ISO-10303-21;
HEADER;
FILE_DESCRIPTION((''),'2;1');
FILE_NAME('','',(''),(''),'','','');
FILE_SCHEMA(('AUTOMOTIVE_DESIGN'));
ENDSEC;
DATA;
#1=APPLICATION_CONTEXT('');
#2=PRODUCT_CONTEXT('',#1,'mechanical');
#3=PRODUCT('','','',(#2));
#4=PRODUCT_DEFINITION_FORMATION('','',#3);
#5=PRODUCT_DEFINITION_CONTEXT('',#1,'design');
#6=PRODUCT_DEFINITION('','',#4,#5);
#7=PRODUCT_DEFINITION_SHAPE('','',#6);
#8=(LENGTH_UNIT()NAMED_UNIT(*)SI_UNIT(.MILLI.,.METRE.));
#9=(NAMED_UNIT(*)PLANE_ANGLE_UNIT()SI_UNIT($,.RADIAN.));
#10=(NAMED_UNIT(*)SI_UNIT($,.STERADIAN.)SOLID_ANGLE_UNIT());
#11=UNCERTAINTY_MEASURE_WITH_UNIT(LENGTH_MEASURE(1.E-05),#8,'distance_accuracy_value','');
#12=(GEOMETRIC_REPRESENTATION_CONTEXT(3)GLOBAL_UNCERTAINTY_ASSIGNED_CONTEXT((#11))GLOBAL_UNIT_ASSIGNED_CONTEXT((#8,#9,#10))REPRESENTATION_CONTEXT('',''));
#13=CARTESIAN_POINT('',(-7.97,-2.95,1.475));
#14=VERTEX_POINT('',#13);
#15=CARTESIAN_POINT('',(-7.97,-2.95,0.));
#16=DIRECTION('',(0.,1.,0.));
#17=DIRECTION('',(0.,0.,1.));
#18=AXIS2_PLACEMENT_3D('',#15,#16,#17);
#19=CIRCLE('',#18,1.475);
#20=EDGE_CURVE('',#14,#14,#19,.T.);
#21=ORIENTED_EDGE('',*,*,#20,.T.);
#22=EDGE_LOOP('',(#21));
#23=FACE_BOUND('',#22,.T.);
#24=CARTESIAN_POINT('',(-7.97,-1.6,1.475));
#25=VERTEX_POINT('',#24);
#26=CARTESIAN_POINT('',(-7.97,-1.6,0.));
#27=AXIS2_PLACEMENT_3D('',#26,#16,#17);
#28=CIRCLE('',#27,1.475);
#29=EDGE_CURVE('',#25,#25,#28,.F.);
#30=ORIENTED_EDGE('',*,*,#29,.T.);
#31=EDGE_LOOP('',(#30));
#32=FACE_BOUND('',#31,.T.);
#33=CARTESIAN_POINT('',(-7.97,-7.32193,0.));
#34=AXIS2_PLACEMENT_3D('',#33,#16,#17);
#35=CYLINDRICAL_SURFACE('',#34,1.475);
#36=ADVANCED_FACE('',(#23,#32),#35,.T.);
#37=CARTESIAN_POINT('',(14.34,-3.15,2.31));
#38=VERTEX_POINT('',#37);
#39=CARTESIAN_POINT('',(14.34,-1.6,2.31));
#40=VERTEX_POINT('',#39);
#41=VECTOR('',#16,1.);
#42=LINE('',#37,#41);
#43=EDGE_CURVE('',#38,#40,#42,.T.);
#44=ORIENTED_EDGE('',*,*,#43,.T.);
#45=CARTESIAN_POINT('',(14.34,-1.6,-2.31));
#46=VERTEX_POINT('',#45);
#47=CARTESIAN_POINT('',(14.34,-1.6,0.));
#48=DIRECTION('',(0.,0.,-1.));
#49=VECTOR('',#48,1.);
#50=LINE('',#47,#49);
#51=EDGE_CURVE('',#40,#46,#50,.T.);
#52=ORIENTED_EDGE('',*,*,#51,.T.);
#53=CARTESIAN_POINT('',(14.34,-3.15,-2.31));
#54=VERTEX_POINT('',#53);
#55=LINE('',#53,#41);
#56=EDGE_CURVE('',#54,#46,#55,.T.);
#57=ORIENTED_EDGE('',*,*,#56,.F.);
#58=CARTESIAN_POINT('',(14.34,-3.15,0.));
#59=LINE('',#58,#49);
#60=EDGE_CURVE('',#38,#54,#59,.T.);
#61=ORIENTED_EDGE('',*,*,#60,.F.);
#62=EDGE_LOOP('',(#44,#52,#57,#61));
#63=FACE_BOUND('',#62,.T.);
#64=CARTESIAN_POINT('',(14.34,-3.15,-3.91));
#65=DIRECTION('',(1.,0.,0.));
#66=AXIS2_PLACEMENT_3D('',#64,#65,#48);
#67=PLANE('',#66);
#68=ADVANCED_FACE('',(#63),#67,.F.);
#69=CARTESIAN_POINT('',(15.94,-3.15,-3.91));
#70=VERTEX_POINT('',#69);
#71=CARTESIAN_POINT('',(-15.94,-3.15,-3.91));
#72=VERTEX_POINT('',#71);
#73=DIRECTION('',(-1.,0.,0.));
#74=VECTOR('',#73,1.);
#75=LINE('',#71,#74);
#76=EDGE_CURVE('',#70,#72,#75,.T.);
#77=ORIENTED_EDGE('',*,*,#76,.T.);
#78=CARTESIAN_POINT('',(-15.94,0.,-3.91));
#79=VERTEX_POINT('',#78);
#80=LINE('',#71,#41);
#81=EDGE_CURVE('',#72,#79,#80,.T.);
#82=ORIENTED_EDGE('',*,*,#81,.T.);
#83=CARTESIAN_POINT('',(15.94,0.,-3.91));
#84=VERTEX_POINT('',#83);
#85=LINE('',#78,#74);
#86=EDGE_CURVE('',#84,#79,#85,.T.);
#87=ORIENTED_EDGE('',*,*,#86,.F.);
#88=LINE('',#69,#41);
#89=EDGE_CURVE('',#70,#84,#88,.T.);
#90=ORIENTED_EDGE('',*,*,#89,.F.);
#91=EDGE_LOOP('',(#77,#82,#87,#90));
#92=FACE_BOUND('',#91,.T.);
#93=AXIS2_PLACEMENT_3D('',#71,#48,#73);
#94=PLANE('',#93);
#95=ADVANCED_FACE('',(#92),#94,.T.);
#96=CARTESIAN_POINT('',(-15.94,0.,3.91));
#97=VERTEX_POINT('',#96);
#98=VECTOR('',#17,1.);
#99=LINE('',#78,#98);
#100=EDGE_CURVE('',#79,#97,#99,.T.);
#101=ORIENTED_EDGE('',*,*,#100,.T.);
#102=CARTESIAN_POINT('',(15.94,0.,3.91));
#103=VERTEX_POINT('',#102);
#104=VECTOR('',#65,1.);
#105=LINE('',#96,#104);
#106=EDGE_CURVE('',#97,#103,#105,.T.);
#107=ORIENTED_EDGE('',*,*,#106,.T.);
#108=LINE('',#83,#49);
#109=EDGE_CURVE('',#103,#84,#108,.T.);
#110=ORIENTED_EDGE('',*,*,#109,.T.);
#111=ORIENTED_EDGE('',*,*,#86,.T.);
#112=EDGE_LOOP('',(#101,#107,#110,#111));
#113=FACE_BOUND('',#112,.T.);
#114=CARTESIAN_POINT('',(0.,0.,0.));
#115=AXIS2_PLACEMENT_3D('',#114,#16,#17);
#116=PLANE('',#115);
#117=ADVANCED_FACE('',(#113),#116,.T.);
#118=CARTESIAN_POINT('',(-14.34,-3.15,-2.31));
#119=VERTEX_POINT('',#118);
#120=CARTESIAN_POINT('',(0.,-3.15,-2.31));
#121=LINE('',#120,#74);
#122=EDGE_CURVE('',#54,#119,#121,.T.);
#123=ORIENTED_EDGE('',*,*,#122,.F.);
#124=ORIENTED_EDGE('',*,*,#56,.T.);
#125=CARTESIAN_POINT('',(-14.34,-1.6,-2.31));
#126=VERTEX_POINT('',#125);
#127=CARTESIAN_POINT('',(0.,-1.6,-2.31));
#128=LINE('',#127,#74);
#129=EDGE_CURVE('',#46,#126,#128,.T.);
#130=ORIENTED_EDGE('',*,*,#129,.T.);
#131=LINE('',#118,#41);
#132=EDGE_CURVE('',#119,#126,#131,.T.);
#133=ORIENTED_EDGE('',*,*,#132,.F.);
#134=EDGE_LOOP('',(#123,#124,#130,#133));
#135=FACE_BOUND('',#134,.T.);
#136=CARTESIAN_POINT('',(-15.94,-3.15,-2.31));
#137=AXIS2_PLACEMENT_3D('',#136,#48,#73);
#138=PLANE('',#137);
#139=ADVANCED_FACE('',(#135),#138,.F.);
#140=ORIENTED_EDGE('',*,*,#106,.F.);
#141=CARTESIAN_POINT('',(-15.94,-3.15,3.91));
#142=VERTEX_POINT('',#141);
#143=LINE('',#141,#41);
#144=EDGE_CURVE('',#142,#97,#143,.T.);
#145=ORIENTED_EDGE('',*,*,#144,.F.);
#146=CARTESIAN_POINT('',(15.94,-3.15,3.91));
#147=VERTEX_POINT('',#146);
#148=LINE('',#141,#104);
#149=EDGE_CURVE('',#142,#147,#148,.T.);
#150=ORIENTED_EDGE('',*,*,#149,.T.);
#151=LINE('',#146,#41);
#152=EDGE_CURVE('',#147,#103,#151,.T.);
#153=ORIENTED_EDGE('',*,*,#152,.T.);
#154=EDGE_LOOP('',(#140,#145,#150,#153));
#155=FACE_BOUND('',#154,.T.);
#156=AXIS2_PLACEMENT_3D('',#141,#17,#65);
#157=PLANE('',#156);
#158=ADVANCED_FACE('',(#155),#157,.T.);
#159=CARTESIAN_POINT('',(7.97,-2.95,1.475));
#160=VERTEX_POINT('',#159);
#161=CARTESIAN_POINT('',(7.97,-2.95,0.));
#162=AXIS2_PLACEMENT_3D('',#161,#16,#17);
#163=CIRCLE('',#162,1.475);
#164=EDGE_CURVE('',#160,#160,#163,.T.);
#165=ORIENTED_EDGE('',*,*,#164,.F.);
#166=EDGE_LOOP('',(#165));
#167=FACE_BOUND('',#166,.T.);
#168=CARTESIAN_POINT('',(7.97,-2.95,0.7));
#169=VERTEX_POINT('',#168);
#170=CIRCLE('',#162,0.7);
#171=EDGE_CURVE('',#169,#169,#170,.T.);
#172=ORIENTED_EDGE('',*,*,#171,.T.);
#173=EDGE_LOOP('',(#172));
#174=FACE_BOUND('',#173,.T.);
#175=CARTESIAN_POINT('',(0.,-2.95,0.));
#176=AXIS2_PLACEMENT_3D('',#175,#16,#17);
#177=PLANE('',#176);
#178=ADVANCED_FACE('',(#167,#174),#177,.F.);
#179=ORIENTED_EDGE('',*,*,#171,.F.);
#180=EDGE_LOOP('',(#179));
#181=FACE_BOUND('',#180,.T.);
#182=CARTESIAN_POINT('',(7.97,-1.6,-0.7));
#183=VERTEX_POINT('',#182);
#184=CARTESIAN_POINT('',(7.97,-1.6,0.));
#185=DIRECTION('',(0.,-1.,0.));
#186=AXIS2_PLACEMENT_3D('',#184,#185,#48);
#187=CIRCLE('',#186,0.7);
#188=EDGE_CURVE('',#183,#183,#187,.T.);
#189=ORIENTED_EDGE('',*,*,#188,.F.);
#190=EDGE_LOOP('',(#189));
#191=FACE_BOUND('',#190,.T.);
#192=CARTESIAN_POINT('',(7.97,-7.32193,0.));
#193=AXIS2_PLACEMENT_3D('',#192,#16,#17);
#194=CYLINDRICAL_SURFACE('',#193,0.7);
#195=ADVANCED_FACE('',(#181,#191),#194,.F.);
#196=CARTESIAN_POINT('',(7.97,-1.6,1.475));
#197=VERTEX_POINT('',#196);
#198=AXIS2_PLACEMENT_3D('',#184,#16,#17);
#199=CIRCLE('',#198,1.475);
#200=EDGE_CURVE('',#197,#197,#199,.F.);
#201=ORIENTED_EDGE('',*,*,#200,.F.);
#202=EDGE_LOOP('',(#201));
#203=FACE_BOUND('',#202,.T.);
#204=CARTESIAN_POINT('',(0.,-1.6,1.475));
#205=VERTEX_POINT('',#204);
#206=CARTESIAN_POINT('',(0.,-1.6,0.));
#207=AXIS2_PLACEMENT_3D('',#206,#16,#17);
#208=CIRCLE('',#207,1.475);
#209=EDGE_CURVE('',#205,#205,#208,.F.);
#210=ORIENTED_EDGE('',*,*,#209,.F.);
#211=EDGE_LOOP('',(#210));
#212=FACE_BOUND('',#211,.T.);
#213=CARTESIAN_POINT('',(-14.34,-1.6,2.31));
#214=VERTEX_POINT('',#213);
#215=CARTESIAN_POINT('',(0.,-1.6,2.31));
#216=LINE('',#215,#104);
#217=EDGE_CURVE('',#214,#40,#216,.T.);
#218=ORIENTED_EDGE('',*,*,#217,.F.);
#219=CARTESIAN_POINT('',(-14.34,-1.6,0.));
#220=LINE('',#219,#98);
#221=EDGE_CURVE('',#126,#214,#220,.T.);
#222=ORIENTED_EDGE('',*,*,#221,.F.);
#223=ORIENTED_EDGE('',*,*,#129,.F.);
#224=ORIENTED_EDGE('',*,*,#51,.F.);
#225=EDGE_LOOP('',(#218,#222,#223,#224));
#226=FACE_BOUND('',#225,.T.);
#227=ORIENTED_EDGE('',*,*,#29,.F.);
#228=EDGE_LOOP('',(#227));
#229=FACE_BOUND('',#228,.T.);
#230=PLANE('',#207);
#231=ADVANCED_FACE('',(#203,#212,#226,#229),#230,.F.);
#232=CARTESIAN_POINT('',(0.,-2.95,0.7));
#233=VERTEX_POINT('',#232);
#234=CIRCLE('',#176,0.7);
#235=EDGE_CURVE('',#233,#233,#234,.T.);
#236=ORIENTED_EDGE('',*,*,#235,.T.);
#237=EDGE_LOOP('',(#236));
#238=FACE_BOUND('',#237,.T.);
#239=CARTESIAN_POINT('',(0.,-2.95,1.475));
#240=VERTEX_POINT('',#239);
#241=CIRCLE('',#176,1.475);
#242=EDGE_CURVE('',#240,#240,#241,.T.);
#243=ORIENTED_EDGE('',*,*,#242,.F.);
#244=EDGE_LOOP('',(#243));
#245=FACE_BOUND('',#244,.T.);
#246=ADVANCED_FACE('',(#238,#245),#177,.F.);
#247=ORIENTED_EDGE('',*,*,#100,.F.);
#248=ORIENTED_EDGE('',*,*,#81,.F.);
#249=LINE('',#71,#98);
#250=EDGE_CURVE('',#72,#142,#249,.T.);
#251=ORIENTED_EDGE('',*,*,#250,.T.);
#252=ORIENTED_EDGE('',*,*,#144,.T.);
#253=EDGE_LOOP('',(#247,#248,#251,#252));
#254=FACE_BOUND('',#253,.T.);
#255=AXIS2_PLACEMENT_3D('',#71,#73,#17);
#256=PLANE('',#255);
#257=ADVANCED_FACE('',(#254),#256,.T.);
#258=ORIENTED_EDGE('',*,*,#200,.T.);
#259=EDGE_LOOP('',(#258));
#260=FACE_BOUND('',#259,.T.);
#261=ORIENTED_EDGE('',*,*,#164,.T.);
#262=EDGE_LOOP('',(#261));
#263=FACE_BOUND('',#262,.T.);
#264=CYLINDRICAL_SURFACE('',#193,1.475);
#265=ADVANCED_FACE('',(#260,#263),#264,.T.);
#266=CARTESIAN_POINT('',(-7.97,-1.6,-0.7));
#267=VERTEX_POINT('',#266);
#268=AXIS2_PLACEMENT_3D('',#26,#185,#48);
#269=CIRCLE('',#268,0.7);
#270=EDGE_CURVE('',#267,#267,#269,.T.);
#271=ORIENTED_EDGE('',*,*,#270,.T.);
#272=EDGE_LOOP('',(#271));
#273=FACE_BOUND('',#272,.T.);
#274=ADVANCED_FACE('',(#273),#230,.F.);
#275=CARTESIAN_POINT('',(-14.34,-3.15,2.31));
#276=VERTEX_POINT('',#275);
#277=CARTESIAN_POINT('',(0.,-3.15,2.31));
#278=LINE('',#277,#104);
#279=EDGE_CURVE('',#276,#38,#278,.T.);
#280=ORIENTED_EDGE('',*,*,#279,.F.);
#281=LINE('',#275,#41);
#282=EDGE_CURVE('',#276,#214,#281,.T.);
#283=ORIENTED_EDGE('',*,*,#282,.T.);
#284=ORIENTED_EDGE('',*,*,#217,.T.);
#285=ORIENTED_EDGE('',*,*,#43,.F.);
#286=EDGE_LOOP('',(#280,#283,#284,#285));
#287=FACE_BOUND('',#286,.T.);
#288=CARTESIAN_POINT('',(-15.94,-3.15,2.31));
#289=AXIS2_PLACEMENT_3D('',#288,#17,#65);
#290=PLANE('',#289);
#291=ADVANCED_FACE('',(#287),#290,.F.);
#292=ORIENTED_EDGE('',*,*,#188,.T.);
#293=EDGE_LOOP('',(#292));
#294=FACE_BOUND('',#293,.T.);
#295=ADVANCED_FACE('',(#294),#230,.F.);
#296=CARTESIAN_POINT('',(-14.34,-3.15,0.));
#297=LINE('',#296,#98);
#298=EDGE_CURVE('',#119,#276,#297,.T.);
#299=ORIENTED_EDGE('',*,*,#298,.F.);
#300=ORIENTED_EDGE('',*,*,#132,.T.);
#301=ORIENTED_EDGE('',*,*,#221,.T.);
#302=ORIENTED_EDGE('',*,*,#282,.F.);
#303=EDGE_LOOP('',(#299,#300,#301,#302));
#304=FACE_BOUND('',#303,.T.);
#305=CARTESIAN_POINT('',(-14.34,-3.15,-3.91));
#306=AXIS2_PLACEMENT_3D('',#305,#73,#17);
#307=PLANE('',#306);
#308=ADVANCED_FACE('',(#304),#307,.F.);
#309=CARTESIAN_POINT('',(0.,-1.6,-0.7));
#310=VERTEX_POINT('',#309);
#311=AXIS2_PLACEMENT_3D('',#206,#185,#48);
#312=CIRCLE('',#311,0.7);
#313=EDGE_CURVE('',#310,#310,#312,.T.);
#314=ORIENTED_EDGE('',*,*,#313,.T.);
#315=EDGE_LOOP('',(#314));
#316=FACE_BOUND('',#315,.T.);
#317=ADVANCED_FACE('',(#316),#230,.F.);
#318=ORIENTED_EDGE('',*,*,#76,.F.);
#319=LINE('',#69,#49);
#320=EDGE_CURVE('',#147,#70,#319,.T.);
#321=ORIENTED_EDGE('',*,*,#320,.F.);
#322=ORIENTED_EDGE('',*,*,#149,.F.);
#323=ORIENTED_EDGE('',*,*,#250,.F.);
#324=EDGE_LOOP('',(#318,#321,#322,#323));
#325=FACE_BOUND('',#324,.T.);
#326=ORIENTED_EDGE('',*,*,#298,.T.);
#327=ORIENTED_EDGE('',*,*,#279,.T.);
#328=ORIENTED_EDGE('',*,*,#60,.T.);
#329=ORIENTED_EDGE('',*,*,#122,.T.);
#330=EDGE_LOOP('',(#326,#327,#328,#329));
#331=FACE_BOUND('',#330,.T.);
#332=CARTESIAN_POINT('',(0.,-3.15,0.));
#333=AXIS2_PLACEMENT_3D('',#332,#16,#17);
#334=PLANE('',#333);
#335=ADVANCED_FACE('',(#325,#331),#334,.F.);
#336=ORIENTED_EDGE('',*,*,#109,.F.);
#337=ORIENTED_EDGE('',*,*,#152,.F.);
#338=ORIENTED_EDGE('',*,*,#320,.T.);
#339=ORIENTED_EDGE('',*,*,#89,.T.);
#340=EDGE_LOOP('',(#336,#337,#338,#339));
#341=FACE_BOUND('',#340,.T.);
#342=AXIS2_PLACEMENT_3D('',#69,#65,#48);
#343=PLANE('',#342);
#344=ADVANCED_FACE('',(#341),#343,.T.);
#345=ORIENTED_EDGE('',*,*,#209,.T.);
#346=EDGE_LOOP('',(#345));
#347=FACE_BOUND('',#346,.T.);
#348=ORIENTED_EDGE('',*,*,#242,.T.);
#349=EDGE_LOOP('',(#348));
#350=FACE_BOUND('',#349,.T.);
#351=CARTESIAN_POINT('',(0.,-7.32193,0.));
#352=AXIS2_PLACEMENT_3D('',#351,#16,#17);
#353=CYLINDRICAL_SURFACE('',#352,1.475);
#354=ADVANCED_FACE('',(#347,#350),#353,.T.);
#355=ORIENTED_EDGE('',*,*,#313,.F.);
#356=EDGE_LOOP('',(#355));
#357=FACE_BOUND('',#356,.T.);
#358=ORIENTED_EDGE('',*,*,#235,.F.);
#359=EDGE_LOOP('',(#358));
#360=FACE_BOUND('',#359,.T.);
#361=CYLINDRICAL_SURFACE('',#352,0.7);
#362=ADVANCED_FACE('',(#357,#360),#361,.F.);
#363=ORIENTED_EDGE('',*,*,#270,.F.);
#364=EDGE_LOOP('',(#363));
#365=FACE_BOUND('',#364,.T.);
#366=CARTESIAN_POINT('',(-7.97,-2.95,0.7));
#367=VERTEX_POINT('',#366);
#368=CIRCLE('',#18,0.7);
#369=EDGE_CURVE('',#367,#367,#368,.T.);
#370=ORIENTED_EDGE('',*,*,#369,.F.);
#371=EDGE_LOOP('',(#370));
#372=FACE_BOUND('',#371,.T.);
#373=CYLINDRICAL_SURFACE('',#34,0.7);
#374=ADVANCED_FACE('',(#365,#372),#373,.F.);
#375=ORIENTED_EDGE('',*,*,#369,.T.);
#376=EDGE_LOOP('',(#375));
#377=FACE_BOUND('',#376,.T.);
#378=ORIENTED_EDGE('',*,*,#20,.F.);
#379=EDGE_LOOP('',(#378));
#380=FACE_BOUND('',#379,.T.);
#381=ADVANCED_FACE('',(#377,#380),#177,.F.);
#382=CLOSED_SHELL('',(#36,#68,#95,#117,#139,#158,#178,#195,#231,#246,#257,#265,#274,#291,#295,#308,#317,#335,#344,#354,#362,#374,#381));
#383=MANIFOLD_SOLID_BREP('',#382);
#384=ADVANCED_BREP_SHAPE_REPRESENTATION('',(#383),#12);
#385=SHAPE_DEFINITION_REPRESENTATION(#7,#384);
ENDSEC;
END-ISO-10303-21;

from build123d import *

# Parameters (mm, degrees)
SKETCH1_W           = 31.88
SKETCH1_H           = 7.82
BOSS_EXTRUDE1_DEPTH = 3.15
SHELL1_T            = -1.6
SKETCH2_R           = 1.475
SKETCH2_R_2         = 0.7
BOSS_EXTRUDE2_DEPTH = 1.35


with BuildPart() as part:
    # Sketch1 → Boss-Extrude1 (new body)
    with BuildSketch(Plane(origin=(0, 0, 0), x_dir=(1, 0, 0), z_dir=(0, 1, 0))):
        Rectangle(SKETCH1_W, SKETCH1_H)
    extrude(amount=-BOSS_EXTRUDE1_DEPTH)

    # Shell1
    shell1_openings = [part.faces().sort_by_distance(p)[0] for p in [
        (0, -3.15, 0),
    ]]
    offset(amount=SHELL1_T, openings=shell1_openings, kind=Kind.INTERSECTION)

    # Sketch2 → Boss-Extrude2 (add)
    # profile 1 of 3: a face of its own
    with BuildSketch(Plane.XZ.offset(1.6)):
        with Locations(Location((-7.97, 0, 0), (0, 0, 90))):
            Circle(SKETCH2_R)
        with Locations(Location((-7.97, 0, 0), (0, 0, 90))):
            Circle(SKETCH2_R_2, mode=Mode.SUBTRACT)
    # profile 2 of 3: a face of its own
    with BuildSketch(Plane.XZ.offset(1.6)):
        with Locations(Location((0, 0, 0), (0, 0, 90))):
            Circle(SKETCH2_R)
        with Locations(Location((0, 0, 0), (0, 0, 90))):
            Circle(SKETCH2_R_2, mode=Mode.SUBTRACT)
    # profile 3 of 3: a face of its own
    with BuildSketch(Plane.XZ.offset(1.6)):
        with Locations(Location((7.97, 0, 0), (0, 0, 90))):
            Circle(SKETCH2_R)
        with Locations(Location((7.97, 0, 0), (0, 0, 90))):
            Circle(SKETCH2_R_2, mode=Mode.SUBTRACT)
    extrude(amount=BOSS_EXTRUDE2_DEPTH)


solid = part.part
